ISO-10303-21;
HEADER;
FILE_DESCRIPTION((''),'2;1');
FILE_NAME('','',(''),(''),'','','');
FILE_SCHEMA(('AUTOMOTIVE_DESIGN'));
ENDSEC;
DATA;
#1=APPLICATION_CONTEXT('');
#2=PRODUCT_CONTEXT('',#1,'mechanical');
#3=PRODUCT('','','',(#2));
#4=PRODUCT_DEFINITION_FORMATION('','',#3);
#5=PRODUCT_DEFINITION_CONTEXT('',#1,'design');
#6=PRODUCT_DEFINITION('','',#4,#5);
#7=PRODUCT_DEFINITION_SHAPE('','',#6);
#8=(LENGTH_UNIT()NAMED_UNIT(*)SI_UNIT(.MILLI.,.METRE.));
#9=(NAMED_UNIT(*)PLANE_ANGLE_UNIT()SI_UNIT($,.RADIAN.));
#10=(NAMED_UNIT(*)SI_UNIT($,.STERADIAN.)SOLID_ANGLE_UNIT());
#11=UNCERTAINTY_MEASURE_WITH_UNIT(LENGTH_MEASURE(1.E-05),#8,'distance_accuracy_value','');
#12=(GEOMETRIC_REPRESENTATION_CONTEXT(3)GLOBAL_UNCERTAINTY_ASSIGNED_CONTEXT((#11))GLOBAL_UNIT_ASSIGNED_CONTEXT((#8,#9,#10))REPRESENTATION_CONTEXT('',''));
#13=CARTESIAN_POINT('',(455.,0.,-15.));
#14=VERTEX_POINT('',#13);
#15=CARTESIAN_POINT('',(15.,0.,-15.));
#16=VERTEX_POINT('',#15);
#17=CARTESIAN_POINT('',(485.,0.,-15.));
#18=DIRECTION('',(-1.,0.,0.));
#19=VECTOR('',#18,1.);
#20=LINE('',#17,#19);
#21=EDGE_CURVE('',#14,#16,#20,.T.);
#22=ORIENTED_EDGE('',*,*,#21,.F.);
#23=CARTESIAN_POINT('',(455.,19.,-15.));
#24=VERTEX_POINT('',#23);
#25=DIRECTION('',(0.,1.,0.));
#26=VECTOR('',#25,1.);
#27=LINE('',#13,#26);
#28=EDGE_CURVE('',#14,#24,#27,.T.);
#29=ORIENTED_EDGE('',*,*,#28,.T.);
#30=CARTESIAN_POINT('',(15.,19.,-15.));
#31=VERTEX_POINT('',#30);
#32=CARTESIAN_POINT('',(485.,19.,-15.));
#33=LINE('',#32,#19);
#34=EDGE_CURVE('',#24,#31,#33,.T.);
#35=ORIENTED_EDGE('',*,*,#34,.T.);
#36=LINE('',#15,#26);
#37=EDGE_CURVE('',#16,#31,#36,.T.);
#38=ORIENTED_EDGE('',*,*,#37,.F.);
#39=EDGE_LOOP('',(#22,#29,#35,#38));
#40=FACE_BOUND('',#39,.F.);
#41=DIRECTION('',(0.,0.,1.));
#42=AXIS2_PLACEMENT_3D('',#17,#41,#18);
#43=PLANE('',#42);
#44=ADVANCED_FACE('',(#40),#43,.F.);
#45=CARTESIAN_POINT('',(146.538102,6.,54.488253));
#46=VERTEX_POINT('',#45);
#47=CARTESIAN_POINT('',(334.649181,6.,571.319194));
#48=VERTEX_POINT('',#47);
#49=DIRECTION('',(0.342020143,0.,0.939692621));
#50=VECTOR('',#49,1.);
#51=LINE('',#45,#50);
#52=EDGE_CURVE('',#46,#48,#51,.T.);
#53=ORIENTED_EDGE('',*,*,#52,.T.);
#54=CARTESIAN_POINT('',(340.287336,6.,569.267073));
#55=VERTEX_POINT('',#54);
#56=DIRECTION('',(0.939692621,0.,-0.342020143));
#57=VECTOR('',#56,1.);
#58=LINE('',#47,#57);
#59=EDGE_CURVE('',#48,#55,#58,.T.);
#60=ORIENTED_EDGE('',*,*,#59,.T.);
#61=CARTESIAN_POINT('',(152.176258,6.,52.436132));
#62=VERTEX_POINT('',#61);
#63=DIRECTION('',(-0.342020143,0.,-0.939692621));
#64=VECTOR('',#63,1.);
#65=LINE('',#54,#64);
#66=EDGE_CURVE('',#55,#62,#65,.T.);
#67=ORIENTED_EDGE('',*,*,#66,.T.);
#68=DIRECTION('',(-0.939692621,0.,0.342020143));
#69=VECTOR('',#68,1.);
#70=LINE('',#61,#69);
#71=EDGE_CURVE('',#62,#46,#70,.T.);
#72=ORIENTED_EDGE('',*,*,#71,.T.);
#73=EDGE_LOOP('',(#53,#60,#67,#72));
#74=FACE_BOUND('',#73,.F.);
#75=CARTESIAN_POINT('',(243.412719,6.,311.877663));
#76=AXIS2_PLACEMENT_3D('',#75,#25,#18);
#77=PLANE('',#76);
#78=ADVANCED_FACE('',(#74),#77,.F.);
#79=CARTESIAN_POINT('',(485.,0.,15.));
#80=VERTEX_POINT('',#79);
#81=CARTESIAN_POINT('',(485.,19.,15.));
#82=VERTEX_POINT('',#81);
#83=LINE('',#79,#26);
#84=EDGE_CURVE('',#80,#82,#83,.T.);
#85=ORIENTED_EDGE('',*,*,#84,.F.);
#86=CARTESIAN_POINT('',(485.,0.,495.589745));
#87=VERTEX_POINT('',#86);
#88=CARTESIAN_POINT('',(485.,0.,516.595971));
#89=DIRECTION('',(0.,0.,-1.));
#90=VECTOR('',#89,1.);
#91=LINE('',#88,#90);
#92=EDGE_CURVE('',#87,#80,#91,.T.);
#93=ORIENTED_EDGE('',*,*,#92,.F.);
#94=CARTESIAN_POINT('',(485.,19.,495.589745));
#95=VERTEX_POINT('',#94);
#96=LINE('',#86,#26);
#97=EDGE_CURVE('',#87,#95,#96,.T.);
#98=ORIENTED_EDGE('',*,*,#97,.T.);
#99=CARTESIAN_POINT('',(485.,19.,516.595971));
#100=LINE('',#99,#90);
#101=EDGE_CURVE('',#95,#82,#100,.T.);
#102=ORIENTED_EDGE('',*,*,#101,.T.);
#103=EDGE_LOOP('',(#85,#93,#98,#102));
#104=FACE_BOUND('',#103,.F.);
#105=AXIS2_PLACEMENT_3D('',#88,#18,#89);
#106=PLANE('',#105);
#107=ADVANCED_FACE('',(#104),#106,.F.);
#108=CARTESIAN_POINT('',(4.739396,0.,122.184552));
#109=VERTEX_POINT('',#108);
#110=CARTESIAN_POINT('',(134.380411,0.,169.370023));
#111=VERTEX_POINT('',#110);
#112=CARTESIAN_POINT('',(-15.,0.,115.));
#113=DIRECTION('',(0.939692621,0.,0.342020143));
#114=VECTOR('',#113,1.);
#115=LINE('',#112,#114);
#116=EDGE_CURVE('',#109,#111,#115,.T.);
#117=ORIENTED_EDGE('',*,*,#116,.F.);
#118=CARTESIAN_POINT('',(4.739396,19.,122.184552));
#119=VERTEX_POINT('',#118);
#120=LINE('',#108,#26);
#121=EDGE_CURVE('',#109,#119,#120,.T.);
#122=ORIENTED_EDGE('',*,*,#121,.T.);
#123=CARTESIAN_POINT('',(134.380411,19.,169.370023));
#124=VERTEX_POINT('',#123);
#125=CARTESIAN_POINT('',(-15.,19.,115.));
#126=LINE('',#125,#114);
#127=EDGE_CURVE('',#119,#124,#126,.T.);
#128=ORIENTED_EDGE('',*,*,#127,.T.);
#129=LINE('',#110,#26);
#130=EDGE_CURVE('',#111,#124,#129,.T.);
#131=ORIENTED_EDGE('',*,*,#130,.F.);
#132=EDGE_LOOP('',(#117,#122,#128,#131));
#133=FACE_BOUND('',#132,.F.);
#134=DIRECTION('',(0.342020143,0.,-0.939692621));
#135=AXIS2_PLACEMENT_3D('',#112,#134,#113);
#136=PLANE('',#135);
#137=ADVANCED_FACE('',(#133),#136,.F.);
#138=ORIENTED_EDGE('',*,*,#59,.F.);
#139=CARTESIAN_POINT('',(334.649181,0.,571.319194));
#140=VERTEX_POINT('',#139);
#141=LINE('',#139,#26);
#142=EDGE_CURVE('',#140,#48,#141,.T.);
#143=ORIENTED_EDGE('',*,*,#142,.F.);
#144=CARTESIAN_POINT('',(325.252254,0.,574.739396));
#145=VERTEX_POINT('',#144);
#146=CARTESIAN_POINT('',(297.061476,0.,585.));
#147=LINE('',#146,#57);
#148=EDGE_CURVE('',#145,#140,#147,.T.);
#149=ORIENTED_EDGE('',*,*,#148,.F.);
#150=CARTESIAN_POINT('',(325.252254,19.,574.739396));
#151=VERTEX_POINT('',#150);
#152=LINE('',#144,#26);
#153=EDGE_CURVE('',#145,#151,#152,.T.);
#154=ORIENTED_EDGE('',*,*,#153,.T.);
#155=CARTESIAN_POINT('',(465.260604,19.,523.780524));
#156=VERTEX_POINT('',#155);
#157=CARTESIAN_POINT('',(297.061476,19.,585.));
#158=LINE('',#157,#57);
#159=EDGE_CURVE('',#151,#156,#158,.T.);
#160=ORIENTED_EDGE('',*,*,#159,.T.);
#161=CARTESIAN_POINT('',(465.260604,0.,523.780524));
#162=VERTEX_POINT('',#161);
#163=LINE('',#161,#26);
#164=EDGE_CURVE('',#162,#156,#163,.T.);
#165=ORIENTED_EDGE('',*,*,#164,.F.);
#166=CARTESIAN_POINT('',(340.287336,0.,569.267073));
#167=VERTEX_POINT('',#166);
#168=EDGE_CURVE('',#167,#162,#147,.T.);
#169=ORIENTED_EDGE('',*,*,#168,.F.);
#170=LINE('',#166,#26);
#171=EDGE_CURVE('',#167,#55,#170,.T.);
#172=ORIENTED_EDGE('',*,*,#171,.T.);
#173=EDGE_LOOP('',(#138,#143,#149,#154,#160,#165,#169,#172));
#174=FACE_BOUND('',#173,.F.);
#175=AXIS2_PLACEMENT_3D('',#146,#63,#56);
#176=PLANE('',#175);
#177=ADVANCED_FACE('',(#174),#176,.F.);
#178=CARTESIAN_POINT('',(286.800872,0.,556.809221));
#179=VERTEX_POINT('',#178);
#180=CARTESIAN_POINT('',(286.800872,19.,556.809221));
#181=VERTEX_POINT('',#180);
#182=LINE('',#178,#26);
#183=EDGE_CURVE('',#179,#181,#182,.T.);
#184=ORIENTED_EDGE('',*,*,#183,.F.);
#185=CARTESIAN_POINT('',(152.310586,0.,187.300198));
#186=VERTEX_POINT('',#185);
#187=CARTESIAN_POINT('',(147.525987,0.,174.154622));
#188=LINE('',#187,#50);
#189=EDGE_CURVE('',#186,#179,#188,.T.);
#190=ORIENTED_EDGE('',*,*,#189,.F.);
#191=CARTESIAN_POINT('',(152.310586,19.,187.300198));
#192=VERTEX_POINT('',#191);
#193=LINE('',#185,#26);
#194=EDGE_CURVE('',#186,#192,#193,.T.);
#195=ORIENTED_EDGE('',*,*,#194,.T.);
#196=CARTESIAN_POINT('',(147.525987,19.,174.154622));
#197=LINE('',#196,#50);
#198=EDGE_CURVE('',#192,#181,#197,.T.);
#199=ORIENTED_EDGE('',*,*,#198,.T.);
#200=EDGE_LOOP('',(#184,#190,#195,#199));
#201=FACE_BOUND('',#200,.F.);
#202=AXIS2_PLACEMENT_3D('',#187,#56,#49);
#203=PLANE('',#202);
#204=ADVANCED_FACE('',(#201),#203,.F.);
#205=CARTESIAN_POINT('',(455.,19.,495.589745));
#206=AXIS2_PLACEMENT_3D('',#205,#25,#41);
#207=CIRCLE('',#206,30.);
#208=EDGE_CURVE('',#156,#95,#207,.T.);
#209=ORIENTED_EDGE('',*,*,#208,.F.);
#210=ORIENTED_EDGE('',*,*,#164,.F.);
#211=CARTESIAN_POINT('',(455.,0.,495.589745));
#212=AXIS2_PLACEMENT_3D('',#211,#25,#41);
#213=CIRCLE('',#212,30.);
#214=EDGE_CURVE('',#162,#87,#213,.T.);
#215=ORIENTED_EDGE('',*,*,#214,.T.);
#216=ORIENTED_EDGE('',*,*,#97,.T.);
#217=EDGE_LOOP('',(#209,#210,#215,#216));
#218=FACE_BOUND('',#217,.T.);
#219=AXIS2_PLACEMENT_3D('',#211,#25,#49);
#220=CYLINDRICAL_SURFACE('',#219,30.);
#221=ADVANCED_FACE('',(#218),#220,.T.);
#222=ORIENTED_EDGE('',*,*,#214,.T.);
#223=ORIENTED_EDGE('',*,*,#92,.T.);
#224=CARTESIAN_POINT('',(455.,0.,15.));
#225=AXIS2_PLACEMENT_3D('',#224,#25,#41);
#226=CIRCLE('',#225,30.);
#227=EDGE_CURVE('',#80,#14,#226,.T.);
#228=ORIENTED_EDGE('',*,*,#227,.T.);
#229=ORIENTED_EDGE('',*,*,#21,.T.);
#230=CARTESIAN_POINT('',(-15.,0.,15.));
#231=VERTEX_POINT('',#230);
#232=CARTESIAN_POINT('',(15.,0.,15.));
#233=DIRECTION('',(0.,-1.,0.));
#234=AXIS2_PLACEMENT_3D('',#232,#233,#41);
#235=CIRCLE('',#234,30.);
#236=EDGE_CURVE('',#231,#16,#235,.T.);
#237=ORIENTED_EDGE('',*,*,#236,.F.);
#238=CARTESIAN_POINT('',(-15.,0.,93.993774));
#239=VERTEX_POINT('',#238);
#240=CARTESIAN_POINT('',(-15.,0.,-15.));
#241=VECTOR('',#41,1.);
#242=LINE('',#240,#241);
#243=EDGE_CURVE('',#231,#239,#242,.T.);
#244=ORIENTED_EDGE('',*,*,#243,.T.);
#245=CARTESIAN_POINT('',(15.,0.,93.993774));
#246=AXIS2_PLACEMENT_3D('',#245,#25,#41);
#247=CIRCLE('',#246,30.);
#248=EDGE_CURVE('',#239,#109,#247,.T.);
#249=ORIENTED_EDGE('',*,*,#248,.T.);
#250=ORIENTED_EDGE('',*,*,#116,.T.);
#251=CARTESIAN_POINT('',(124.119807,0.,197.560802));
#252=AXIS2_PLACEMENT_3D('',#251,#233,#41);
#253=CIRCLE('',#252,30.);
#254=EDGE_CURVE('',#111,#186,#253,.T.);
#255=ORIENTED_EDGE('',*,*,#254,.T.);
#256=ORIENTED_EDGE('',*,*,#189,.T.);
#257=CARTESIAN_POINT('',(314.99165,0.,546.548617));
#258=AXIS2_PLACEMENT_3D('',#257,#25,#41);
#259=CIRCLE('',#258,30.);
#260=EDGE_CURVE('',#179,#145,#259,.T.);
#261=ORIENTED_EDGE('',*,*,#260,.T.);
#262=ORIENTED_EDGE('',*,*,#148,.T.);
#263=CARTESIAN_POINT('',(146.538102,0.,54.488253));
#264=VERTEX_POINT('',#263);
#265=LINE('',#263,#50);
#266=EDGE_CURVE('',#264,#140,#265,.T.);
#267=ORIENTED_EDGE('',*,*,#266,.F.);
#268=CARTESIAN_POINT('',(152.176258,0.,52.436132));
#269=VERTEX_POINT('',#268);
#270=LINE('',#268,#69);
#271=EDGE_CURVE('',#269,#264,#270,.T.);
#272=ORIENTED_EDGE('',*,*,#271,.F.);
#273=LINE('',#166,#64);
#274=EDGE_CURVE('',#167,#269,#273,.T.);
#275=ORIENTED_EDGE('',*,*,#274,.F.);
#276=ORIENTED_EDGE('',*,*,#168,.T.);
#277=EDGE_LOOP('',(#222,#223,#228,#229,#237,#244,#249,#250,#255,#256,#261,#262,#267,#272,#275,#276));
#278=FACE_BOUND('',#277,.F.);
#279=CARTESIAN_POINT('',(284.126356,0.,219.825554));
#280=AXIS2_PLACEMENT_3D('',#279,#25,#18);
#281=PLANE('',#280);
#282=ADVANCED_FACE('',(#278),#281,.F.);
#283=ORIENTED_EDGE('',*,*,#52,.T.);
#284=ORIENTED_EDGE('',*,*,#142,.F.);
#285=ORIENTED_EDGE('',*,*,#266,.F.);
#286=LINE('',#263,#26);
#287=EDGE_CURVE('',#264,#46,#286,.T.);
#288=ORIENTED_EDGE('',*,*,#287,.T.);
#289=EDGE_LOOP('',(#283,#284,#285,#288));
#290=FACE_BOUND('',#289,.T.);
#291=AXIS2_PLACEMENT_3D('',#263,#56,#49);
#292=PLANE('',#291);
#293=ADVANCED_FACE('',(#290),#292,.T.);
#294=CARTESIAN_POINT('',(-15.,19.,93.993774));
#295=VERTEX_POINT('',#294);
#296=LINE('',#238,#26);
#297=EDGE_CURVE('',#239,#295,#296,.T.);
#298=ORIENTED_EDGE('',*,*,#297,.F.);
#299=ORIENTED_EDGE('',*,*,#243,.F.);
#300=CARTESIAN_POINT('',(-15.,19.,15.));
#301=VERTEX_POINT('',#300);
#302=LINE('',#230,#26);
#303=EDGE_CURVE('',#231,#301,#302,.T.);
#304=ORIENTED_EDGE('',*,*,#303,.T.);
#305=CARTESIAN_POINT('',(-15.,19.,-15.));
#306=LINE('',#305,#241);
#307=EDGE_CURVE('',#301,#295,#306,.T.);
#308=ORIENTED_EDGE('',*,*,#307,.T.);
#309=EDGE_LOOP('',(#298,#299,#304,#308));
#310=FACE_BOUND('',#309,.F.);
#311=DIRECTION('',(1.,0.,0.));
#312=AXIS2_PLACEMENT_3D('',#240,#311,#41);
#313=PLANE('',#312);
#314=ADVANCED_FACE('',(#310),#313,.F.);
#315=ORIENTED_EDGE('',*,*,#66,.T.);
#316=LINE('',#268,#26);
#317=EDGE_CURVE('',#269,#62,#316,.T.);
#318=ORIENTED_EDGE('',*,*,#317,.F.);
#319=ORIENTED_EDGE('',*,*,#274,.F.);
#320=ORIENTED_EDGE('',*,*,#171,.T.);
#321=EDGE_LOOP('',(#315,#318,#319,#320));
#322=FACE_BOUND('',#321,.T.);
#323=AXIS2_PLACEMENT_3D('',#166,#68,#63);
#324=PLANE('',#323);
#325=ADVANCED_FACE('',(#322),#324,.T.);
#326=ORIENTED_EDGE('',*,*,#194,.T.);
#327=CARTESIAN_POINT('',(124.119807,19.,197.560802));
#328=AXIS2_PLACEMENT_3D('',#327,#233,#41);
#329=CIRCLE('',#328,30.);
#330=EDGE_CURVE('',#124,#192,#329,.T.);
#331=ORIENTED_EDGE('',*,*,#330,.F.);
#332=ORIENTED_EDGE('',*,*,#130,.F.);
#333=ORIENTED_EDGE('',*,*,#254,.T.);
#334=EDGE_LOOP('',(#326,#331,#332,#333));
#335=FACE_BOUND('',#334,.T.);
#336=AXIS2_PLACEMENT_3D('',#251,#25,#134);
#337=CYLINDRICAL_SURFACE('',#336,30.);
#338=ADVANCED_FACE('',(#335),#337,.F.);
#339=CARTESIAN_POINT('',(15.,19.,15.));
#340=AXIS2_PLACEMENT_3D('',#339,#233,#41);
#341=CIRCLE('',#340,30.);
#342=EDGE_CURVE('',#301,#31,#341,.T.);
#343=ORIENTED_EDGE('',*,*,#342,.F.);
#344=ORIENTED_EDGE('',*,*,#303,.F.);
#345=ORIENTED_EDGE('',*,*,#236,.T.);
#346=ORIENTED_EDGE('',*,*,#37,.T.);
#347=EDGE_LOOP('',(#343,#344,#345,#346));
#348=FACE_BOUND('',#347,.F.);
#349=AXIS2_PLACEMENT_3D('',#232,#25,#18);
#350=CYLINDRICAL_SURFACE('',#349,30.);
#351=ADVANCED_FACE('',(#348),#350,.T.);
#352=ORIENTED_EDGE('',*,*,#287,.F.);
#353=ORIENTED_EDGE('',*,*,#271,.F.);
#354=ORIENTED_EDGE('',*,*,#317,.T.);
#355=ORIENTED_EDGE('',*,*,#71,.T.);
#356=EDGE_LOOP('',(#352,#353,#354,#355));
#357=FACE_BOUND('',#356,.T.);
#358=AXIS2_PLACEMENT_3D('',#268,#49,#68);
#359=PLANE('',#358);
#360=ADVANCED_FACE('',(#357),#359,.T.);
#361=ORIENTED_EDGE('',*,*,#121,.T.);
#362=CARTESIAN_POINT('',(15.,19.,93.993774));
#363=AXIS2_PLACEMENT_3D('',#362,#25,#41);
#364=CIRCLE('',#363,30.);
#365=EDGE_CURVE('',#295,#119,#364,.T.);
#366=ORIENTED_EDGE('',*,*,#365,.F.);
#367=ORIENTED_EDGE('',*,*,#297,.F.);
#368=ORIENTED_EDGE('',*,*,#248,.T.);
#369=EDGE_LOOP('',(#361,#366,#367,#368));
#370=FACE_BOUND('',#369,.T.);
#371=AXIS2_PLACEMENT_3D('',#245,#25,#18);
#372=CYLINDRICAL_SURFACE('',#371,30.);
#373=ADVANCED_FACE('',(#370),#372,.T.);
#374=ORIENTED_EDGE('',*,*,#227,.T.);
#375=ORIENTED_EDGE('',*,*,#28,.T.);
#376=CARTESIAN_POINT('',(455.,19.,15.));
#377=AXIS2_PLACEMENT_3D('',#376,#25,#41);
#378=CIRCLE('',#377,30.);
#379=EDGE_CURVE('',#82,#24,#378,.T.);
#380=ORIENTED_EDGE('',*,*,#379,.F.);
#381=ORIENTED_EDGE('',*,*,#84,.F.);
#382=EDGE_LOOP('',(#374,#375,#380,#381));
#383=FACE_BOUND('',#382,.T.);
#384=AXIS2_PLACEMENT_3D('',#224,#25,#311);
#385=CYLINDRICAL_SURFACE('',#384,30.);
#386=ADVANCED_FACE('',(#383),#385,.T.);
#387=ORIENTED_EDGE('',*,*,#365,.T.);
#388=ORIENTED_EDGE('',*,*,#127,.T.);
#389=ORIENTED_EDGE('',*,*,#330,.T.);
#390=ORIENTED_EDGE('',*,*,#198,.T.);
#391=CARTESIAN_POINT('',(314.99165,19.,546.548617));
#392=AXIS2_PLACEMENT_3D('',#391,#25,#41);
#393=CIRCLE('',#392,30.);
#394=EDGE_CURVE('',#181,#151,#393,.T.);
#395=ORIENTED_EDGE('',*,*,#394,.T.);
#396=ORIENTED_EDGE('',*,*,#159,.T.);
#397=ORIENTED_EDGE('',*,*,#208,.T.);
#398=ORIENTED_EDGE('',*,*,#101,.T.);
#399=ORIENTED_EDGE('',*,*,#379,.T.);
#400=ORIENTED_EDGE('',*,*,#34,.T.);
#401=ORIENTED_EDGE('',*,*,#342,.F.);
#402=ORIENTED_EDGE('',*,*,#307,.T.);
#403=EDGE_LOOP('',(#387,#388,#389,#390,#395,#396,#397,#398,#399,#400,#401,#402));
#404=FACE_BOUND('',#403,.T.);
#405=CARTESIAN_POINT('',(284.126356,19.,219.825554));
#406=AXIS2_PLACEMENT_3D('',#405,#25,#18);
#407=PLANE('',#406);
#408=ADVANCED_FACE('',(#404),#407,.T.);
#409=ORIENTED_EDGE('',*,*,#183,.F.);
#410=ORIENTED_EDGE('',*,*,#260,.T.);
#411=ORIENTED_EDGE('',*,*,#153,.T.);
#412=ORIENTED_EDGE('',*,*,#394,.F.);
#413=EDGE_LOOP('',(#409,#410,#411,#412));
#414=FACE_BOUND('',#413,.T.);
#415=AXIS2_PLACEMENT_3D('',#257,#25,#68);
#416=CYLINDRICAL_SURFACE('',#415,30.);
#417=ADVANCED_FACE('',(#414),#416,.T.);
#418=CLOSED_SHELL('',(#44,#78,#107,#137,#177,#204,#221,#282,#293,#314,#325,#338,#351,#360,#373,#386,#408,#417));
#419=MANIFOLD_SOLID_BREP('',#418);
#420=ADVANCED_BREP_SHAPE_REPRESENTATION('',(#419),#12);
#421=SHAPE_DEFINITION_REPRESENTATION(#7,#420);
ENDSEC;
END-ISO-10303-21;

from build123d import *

# Parameters (mm, degrees)
PAD_DEPTH    = 19
FILLET_R     = 30
FILLET001_R  = 30
POCKET_DEPTH = 6


with BuildPart() as part:
    # Sketch001 → Pad (new body)
    with BuildSketch(Plane.XZ):
        Polygon((-15, -15), (-15, 115), (147.5259872373, 174.1546216491), (297.0614758428, 585), (485, 516.5959713349), (485, -15), align=None)
    extrude(amount=-PAD_DEPTH)

    # Fillet
    fillet_edges = [part.edges().sort_by_distance(p)[0] for p in [
        (-15, 9.5, 115),
        (-15, 9.5, -15),
        (297.061476, 9.5, 585),
        (485, 9.5, 516.595971),
        (485, 9.5, -15),
    ]]
    fillet(fillet_edges, radius=FILLET_R)

    # Fillet001
    fillet001_edges = [part.edges().sort_by_distance(p)[0] for p in [
        (147.525987, 9.5, 174.154622),
    ]]
    fillet(fillet001_edges, radius=FILLET001_R)

    # Sketch002 (on Face1 of Fillet001) → Pocket (cut)
    with BuildSketch(Plane.XZ):
        Polygon((340.287336399, 569.267073407), (152.1762575699, 52.4361319748), (146.5381018451, 54.4882528347), (334.6491806743, 571.319194267), align=None)
    extrude(amount=-POCKET_DEPTH, mode=Mode.SUBTRACT)


solid = part.part
